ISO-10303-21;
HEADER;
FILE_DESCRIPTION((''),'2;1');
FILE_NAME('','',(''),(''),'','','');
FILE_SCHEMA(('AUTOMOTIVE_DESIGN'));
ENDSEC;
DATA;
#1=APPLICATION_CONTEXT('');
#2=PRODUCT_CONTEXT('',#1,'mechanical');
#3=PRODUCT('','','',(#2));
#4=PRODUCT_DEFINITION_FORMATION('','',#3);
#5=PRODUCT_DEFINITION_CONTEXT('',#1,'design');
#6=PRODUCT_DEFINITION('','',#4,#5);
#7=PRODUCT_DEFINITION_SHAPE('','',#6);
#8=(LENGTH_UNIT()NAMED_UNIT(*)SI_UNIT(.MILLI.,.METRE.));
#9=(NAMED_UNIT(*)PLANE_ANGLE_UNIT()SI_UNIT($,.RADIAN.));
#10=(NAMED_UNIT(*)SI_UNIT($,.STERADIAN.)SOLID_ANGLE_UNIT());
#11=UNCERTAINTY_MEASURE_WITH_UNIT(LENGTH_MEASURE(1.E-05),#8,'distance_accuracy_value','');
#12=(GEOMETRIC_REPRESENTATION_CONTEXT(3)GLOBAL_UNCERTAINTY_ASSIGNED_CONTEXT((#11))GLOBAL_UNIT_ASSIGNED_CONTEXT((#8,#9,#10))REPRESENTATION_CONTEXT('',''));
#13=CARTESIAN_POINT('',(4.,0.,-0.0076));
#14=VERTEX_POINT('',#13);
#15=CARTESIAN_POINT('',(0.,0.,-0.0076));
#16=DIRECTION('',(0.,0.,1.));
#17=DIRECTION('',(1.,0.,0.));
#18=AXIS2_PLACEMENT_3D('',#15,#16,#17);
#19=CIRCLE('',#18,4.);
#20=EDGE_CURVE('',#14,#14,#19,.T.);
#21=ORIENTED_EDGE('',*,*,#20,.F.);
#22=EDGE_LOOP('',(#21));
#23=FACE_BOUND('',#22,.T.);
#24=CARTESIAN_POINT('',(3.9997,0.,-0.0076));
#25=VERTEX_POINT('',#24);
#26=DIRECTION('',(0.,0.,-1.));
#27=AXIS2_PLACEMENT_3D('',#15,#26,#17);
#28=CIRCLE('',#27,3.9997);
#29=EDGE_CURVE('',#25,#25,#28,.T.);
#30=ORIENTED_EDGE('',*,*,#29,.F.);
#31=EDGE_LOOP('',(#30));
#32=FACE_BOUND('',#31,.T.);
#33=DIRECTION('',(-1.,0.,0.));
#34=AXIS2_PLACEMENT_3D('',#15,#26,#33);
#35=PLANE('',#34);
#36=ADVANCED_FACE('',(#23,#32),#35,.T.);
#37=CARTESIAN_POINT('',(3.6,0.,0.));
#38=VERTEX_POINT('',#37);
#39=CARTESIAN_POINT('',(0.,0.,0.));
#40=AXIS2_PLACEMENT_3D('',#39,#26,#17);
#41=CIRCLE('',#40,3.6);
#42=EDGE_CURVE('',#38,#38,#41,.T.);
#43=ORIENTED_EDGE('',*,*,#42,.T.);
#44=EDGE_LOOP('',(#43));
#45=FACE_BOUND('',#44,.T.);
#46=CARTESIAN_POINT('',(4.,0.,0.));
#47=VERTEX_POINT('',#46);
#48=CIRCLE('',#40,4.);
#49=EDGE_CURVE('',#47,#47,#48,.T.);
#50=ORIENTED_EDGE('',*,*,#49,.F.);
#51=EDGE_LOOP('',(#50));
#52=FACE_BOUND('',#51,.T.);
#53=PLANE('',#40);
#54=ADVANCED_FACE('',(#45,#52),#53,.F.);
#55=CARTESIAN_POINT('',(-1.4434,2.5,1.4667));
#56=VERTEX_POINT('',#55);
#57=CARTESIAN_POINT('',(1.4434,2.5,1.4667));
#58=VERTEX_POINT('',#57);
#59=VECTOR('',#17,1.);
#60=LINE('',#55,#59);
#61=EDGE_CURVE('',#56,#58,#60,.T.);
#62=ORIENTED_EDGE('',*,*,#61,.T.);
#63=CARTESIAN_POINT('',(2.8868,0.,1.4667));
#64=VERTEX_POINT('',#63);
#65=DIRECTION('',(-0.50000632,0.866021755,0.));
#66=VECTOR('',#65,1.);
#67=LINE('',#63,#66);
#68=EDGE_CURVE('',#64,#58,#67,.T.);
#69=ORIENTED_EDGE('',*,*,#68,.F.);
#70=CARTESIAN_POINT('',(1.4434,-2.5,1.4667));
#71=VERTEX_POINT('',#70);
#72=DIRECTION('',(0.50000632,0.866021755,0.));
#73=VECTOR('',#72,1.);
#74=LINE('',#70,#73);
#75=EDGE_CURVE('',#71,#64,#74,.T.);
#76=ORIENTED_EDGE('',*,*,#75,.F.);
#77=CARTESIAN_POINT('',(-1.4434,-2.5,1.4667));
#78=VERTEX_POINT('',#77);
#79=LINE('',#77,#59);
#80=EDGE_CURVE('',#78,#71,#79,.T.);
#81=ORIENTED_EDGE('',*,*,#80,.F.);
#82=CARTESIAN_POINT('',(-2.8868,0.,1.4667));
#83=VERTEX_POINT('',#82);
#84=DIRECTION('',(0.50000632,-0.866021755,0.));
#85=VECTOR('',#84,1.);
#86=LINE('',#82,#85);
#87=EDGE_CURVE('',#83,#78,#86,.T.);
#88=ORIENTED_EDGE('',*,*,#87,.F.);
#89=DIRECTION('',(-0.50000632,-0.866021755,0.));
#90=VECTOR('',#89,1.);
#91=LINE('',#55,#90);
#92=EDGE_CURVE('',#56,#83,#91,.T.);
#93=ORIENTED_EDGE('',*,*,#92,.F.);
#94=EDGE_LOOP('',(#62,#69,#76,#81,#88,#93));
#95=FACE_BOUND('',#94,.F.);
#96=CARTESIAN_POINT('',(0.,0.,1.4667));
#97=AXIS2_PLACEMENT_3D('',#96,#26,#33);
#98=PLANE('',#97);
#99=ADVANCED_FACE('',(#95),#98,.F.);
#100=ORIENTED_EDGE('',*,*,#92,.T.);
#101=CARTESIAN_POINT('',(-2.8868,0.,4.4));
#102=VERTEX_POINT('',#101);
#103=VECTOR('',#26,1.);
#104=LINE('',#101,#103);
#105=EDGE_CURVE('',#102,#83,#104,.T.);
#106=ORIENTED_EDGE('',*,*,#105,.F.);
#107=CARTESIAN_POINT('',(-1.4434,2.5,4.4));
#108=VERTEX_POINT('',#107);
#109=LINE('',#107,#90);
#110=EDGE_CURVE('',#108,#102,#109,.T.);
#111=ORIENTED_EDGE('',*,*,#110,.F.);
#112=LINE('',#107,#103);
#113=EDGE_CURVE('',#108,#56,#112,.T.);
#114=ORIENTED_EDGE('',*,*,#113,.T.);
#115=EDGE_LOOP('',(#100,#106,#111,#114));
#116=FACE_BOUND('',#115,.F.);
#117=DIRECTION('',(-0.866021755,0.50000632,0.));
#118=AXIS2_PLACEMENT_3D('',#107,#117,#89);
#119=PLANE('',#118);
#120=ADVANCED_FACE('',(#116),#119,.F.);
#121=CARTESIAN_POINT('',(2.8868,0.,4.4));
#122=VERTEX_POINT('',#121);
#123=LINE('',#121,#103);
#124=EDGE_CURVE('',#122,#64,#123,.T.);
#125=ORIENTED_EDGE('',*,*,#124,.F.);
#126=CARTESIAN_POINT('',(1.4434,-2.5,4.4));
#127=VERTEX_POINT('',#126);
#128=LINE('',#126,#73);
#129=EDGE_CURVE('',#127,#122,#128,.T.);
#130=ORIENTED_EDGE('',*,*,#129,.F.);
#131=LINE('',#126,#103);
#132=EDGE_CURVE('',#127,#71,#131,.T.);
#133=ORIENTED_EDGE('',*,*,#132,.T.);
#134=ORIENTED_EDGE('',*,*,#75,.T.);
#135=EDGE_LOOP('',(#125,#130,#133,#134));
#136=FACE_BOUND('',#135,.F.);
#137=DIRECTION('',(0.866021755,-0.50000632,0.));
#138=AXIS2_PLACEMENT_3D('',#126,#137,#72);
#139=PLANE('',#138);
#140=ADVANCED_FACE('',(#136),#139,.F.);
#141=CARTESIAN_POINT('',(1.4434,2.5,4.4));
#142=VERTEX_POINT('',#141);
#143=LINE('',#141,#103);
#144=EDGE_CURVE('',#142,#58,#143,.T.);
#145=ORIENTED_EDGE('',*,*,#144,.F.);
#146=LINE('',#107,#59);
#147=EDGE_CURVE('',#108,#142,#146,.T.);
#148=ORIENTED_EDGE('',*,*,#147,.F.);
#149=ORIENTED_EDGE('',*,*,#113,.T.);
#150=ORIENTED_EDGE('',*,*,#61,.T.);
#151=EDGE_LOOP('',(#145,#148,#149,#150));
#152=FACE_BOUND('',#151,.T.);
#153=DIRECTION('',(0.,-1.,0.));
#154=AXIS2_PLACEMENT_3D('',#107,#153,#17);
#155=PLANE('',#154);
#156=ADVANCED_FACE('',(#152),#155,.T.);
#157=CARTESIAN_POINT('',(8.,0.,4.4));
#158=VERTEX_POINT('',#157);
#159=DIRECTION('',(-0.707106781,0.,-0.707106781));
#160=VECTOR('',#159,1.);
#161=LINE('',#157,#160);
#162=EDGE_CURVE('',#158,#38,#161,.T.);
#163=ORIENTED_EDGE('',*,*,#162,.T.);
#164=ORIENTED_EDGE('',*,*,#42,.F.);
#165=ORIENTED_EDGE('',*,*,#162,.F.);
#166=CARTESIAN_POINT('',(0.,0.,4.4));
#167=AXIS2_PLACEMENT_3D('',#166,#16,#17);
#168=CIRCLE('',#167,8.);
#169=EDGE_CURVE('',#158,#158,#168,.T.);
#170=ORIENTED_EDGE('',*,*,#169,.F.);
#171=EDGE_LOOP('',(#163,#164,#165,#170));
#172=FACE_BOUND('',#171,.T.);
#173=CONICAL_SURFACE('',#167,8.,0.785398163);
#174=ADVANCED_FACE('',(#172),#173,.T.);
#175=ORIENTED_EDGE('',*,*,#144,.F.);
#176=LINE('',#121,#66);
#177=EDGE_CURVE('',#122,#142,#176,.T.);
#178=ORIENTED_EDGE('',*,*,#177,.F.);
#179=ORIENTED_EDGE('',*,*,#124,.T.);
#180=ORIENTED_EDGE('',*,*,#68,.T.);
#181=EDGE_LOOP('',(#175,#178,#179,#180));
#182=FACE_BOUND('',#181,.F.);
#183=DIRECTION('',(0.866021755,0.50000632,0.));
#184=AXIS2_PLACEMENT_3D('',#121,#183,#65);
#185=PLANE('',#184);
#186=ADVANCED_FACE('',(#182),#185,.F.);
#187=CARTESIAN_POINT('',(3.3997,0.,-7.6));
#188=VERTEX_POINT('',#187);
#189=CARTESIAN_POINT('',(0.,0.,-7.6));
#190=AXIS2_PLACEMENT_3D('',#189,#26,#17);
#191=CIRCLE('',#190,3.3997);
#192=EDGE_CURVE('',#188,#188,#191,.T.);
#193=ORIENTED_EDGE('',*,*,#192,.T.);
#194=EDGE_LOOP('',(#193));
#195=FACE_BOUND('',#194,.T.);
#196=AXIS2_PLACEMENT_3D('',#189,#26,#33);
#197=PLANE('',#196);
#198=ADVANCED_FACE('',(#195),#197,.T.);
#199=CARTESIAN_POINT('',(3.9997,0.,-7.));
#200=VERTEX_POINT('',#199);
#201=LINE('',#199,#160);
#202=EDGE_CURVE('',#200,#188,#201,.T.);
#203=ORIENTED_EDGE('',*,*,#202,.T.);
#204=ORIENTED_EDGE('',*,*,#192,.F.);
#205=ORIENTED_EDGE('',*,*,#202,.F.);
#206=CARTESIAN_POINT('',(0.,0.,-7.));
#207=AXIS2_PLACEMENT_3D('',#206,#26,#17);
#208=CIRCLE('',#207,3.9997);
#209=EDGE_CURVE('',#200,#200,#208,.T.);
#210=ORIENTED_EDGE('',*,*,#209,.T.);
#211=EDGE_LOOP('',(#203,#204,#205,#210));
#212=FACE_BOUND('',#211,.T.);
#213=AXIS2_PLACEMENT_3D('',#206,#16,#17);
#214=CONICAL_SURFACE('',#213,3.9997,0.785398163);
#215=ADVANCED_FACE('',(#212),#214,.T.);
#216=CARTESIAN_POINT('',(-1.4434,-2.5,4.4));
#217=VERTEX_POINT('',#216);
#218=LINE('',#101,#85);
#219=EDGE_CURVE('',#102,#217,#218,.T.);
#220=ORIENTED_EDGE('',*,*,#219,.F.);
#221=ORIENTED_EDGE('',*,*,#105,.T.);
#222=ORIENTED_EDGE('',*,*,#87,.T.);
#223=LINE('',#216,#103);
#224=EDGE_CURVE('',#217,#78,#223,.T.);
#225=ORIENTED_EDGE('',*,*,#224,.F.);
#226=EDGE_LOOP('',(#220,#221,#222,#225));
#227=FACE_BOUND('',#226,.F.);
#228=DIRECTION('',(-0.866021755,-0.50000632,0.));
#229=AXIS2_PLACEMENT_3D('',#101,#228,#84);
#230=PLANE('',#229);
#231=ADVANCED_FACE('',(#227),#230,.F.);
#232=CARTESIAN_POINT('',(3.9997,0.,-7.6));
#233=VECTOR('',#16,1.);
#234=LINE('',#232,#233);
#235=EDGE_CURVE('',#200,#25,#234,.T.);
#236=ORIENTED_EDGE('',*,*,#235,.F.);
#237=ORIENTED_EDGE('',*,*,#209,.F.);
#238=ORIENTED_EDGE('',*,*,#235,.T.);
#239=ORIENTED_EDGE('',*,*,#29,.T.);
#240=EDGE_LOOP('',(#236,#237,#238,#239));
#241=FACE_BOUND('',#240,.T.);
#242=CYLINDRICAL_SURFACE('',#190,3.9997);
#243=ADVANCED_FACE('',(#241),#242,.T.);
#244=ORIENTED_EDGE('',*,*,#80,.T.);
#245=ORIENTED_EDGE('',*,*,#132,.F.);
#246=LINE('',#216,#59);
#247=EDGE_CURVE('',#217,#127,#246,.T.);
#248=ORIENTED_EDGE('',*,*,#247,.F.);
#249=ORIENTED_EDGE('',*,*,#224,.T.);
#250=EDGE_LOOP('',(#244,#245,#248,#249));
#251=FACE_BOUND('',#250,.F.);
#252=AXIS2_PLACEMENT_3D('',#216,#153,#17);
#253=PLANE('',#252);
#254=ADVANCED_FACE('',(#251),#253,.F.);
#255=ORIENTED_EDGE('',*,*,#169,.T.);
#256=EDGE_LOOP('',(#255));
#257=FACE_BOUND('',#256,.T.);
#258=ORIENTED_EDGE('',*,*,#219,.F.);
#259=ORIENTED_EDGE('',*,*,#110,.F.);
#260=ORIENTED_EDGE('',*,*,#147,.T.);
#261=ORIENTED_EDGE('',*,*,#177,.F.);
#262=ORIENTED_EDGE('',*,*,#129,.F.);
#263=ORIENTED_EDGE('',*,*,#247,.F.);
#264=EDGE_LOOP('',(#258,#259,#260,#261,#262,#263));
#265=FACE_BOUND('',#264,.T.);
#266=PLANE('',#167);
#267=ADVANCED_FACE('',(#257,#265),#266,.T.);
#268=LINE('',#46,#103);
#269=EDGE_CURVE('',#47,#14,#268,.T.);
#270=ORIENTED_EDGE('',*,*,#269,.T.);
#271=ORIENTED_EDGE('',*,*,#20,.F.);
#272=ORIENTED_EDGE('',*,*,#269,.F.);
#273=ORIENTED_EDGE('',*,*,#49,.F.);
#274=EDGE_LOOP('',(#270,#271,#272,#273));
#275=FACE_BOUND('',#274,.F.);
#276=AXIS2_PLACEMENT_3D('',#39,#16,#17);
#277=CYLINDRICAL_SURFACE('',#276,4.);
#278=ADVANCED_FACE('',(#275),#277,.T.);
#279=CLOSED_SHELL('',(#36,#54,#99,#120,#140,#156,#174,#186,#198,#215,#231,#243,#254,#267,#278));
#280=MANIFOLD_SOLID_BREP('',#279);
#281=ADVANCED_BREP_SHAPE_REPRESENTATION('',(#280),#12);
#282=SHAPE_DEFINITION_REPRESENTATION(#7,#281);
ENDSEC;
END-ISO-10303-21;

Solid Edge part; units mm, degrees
sketch "Sketch1" plane through (0, 0, 0) normal (0, 0, 1) x (1, 0, 0)
  circle A0 centre (0, 0) radius 8
  dimension "D1" = 16
extrude "Protrusion1" add sketch "Sketch1" along normal blind 4.4
sketch "Sketch2" plane through (0, 0, 0) normal (0, 0, -1) x (1, 0, 0)
  circle A0 centre (0, 0) radius 4
extrude "Protrusion2" add sketch "Sketch2" along normal blind 7.6
sketch "Sketch3" plane through (0, 0, -7.6) normal (0, 0, -1) x (1, 0, 0)
  circle A0 centre (0, 0) radius 3.9997
extrude "Cutout1" cut sketch "Sketch3" against normal blind 7.5924 flip side to cut
chamfer "Chamfer_1" distance 0.6 angle 45 1 edges at (-3.9997, 0, -7.6)
sketch "Sketch4" plane through (0, 0, 4.4) normal (0, 0, 1) x (1, 0, 0)
  line L0 (-1.4434, 2.5) -> (1.4434, 2.5)
  line L1 (2.8868, 0) -> (1.4434, 2.5)
  line L2 (1.4434, -2.5) -> (2.8868, 0)
  line L3 (-1.4434, -2.5) -> (1.4434, -2.5)
  line L4 (-2.8868, 0) -> (-1.4434, -2.5)
  line L5 (-1.4434, 2.5) -> (-2.8868, 0)
  dimension "D1" = 5
extrude "Cutout2" cut sketch "Sketch4" against normal blind 2.9333
sketch "Sketch5" plane through (0, 0, 0) normal (0, -1, 0) x (1, 0, 0)
  line L0 (8, 4.4) -> (3.6, 0)
  line L1 (3.6, 0) -> (8, 0)
  line L2 (8, 0) -> (8, 4.4)
revolve "RevolvedCutout1" cut sketch "Sketch5" angle 360 about axis through (0, 0, 14.0017) along (0, 0, -1)
properties part number "185773"
